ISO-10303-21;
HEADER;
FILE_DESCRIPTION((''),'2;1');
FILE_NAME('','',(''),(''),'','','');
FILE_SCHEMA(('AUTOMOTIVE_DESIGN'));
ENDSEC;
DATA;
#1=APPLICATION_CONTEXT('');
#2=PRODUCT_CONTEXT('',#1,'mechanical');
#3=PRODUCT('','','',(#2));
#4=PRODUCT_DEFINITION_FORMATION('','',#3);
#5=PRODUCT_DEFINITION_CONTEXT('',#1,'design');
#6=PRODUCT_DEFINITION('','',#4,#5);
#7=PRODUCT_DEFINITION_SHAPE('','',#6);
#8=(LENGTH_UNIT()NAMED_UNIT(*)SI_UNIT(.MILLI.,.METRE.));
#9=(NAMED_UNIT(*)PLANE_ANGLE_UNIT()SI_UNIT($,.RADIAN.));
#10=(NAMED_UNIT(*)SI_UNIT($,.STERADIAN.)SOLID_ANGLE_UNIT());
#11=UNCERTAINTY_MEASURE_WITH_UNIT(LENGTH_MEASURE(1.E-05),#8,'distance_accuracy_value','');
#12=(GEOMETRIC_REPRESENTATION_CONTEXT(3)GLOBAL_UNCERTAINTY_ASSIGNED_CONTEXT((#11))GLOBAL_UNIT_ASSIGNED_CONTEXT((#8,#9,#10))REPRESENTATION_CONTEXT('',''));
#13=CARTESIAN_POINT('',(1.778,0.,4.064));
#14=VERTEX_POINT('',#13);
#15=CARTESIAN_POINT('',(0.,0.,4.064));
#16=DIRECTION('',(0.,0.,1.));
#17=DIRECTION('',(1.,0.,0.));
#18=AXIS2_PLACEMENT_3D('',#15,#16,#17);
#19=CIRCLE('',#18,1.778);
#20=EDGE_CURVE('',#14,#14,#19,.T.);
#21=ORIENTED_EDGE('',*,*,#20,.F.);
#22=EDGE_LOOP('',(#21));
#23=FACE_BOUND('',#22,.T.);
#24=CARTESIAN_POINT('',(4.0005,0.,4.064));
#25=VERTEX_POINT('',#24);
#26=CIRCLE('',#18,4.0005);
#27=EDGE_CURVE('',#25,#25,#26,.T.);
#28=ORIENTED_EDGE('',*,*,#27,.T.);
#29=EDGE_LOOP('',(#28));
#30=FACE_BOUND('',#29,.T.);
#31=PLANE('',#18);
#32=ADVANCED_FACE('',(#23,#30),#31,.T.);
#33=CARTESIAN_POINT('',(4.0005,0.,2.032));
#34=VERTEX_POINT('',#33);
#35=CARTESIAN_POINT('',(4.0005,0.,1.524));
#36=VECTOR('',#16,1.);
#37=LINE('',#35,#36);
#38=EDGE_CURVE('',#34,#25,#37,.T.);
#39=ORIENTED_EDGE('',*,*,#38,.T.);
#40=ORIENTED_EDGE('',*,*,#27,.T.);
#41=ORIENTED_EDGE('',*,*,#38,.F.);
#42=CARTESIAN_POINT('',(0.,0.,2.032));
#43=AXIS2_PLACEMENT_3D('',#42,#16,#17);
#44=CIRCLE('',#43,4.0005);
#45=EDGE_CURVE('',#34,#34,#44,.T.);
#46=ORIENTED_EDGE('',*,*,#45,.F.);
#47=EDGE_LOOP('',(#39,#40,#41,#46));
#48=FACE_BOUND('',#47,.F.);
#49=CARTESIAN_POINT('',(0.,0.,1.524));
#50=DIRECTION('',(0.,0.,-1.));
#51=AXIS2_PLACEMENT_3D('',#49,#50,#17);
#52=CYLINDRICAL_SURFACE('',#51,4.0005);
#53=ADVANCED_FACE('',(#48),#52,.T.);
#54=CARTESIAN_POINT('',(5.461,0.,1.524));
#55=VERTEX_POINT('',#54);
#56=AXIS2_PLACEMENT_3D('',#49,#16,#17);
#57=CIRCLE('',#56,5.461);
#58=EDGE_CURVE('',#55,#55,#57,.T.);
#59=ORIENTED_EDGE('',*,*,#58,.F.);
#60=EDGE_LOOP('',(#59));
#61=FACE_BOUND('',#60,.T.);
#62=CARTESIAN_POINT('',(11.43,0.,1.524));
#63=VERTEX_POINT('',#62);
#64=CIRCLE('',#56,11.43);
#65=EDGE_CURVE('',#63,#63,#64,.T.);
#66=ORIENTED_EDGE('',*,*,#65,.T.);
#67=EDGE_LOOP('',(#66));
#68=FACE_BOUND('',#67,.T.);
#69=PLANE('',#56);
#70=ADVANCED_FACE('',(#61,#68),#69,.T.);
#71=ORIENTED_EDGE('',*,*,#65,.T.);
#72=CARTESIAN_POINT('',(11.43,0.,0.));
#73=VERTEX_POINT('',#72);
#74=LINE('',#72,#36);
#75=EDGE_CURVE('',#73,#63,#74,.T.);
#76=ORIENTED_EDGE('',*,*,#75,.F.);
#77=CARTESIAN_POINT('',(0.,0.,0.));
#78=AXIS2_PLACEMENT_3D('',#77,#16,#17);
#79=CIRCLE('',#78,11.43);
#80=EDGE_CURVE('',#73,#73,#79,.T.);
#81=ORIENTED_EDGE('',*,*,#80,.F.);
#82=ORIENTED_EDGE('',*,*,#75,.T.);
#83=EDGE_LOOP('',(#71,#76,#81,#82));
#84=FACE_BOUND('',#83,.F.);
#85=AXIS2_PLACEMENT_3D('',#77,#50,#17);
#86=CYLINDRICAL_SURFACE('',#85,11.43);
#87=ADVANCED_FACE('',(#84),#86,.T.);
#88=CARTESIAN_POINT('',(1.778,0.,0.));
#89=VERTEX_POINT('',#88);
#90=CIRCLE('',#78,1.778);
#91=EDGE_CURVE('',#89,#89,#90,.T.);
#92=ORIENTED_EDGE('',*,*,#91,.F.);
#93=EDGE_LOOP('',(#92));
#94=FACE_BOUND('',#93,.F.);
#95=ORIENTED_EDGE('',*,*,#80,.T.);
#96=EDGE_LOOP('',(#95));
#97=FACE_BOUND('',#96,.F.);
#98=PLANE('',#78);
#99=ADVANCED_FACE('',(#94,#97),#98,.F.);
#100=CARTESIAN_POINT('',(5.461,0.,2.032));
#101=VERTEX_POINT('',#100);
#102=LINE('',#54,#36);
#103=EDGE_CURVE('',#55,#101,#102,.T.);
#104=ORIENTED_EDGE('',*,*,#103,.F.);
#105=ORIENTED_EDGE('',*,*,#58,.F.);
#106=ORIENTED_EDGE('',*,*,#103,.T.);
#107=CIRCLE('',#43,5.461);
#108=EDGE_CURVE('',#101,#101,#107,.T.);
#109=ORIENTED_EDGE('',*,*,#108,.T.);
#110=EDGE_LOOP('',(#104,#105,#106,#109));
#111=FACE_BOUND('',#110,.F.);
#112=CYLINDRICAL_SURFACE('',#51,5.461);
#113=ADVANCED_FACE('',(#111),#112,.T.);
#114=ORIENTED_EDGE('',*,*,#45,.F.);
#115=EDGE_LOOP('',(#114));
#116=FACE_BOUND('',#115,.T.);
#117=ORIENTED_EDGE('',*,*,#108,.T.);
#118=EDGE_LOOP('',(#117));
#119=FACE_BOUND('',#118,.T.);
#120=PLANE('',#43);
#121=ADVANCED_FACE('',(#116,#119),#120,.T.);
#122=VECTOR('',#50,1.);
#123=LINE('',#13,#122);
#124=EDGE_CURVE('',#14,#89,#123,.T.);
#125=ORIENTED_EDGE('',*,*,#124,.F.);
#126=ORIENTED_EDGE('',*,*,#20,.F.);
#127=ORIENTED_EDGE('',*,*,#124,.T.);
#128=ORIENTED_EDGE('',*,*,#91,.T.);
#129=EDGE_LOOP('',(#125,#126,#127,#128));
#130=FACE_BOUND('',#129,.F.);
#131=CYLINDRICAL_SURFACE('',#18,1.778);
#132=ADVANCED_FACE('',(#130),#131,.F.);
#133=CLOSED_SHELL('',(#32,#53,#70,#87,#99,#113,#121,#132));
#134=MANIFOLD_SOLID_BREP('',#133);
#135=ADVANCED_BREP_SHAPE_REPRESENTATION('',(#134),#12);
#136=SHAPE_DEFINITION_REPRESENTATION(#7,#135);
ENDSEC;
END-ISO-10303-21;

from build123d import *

# Parameters (mm, degrees)
F0_R     = 11.43
F1_DEPTH = 1.524
F2_R     = 4.0005
F3_DEPTH = 2.54
F4_R     = 1.778
F5_DEPTH = 25.4
F6_R     = 5.461
F6_R_2   = 4.0005
F7_DEPTH = 0.508


with BuildPart() as f1:
    # F0 (on Top) → F1 (new body)
    with BuildSketch(Plane.XY):
        Circle(F0_R)
    extrude(amount=F1_DEPTH)

    # F2 (on face) → F3 (join)
    with BuildSketch(Plane.XY.offset(1.524)):
        Circle(F2_R)
    extrude(amount=F3_DEPTH)

    # F4 (on face) → F5 (cut)
    with BuildSketch(Plane.XY.offset(4.064)):
        Circle(F4_R)
    extrude(amount=-F5_DEPTH, mode=Mode.SUBTRACT)

    # F6 (on face) → F7 (join)
    with BuildSketch(Plane.XY.offset(1.524)):
        Circle(F6_R)
        Circle(F6_R_2, mode=Mode.SUBTRACT)
    extrude(amount=F7_DEPTH)


solid = f1.part
